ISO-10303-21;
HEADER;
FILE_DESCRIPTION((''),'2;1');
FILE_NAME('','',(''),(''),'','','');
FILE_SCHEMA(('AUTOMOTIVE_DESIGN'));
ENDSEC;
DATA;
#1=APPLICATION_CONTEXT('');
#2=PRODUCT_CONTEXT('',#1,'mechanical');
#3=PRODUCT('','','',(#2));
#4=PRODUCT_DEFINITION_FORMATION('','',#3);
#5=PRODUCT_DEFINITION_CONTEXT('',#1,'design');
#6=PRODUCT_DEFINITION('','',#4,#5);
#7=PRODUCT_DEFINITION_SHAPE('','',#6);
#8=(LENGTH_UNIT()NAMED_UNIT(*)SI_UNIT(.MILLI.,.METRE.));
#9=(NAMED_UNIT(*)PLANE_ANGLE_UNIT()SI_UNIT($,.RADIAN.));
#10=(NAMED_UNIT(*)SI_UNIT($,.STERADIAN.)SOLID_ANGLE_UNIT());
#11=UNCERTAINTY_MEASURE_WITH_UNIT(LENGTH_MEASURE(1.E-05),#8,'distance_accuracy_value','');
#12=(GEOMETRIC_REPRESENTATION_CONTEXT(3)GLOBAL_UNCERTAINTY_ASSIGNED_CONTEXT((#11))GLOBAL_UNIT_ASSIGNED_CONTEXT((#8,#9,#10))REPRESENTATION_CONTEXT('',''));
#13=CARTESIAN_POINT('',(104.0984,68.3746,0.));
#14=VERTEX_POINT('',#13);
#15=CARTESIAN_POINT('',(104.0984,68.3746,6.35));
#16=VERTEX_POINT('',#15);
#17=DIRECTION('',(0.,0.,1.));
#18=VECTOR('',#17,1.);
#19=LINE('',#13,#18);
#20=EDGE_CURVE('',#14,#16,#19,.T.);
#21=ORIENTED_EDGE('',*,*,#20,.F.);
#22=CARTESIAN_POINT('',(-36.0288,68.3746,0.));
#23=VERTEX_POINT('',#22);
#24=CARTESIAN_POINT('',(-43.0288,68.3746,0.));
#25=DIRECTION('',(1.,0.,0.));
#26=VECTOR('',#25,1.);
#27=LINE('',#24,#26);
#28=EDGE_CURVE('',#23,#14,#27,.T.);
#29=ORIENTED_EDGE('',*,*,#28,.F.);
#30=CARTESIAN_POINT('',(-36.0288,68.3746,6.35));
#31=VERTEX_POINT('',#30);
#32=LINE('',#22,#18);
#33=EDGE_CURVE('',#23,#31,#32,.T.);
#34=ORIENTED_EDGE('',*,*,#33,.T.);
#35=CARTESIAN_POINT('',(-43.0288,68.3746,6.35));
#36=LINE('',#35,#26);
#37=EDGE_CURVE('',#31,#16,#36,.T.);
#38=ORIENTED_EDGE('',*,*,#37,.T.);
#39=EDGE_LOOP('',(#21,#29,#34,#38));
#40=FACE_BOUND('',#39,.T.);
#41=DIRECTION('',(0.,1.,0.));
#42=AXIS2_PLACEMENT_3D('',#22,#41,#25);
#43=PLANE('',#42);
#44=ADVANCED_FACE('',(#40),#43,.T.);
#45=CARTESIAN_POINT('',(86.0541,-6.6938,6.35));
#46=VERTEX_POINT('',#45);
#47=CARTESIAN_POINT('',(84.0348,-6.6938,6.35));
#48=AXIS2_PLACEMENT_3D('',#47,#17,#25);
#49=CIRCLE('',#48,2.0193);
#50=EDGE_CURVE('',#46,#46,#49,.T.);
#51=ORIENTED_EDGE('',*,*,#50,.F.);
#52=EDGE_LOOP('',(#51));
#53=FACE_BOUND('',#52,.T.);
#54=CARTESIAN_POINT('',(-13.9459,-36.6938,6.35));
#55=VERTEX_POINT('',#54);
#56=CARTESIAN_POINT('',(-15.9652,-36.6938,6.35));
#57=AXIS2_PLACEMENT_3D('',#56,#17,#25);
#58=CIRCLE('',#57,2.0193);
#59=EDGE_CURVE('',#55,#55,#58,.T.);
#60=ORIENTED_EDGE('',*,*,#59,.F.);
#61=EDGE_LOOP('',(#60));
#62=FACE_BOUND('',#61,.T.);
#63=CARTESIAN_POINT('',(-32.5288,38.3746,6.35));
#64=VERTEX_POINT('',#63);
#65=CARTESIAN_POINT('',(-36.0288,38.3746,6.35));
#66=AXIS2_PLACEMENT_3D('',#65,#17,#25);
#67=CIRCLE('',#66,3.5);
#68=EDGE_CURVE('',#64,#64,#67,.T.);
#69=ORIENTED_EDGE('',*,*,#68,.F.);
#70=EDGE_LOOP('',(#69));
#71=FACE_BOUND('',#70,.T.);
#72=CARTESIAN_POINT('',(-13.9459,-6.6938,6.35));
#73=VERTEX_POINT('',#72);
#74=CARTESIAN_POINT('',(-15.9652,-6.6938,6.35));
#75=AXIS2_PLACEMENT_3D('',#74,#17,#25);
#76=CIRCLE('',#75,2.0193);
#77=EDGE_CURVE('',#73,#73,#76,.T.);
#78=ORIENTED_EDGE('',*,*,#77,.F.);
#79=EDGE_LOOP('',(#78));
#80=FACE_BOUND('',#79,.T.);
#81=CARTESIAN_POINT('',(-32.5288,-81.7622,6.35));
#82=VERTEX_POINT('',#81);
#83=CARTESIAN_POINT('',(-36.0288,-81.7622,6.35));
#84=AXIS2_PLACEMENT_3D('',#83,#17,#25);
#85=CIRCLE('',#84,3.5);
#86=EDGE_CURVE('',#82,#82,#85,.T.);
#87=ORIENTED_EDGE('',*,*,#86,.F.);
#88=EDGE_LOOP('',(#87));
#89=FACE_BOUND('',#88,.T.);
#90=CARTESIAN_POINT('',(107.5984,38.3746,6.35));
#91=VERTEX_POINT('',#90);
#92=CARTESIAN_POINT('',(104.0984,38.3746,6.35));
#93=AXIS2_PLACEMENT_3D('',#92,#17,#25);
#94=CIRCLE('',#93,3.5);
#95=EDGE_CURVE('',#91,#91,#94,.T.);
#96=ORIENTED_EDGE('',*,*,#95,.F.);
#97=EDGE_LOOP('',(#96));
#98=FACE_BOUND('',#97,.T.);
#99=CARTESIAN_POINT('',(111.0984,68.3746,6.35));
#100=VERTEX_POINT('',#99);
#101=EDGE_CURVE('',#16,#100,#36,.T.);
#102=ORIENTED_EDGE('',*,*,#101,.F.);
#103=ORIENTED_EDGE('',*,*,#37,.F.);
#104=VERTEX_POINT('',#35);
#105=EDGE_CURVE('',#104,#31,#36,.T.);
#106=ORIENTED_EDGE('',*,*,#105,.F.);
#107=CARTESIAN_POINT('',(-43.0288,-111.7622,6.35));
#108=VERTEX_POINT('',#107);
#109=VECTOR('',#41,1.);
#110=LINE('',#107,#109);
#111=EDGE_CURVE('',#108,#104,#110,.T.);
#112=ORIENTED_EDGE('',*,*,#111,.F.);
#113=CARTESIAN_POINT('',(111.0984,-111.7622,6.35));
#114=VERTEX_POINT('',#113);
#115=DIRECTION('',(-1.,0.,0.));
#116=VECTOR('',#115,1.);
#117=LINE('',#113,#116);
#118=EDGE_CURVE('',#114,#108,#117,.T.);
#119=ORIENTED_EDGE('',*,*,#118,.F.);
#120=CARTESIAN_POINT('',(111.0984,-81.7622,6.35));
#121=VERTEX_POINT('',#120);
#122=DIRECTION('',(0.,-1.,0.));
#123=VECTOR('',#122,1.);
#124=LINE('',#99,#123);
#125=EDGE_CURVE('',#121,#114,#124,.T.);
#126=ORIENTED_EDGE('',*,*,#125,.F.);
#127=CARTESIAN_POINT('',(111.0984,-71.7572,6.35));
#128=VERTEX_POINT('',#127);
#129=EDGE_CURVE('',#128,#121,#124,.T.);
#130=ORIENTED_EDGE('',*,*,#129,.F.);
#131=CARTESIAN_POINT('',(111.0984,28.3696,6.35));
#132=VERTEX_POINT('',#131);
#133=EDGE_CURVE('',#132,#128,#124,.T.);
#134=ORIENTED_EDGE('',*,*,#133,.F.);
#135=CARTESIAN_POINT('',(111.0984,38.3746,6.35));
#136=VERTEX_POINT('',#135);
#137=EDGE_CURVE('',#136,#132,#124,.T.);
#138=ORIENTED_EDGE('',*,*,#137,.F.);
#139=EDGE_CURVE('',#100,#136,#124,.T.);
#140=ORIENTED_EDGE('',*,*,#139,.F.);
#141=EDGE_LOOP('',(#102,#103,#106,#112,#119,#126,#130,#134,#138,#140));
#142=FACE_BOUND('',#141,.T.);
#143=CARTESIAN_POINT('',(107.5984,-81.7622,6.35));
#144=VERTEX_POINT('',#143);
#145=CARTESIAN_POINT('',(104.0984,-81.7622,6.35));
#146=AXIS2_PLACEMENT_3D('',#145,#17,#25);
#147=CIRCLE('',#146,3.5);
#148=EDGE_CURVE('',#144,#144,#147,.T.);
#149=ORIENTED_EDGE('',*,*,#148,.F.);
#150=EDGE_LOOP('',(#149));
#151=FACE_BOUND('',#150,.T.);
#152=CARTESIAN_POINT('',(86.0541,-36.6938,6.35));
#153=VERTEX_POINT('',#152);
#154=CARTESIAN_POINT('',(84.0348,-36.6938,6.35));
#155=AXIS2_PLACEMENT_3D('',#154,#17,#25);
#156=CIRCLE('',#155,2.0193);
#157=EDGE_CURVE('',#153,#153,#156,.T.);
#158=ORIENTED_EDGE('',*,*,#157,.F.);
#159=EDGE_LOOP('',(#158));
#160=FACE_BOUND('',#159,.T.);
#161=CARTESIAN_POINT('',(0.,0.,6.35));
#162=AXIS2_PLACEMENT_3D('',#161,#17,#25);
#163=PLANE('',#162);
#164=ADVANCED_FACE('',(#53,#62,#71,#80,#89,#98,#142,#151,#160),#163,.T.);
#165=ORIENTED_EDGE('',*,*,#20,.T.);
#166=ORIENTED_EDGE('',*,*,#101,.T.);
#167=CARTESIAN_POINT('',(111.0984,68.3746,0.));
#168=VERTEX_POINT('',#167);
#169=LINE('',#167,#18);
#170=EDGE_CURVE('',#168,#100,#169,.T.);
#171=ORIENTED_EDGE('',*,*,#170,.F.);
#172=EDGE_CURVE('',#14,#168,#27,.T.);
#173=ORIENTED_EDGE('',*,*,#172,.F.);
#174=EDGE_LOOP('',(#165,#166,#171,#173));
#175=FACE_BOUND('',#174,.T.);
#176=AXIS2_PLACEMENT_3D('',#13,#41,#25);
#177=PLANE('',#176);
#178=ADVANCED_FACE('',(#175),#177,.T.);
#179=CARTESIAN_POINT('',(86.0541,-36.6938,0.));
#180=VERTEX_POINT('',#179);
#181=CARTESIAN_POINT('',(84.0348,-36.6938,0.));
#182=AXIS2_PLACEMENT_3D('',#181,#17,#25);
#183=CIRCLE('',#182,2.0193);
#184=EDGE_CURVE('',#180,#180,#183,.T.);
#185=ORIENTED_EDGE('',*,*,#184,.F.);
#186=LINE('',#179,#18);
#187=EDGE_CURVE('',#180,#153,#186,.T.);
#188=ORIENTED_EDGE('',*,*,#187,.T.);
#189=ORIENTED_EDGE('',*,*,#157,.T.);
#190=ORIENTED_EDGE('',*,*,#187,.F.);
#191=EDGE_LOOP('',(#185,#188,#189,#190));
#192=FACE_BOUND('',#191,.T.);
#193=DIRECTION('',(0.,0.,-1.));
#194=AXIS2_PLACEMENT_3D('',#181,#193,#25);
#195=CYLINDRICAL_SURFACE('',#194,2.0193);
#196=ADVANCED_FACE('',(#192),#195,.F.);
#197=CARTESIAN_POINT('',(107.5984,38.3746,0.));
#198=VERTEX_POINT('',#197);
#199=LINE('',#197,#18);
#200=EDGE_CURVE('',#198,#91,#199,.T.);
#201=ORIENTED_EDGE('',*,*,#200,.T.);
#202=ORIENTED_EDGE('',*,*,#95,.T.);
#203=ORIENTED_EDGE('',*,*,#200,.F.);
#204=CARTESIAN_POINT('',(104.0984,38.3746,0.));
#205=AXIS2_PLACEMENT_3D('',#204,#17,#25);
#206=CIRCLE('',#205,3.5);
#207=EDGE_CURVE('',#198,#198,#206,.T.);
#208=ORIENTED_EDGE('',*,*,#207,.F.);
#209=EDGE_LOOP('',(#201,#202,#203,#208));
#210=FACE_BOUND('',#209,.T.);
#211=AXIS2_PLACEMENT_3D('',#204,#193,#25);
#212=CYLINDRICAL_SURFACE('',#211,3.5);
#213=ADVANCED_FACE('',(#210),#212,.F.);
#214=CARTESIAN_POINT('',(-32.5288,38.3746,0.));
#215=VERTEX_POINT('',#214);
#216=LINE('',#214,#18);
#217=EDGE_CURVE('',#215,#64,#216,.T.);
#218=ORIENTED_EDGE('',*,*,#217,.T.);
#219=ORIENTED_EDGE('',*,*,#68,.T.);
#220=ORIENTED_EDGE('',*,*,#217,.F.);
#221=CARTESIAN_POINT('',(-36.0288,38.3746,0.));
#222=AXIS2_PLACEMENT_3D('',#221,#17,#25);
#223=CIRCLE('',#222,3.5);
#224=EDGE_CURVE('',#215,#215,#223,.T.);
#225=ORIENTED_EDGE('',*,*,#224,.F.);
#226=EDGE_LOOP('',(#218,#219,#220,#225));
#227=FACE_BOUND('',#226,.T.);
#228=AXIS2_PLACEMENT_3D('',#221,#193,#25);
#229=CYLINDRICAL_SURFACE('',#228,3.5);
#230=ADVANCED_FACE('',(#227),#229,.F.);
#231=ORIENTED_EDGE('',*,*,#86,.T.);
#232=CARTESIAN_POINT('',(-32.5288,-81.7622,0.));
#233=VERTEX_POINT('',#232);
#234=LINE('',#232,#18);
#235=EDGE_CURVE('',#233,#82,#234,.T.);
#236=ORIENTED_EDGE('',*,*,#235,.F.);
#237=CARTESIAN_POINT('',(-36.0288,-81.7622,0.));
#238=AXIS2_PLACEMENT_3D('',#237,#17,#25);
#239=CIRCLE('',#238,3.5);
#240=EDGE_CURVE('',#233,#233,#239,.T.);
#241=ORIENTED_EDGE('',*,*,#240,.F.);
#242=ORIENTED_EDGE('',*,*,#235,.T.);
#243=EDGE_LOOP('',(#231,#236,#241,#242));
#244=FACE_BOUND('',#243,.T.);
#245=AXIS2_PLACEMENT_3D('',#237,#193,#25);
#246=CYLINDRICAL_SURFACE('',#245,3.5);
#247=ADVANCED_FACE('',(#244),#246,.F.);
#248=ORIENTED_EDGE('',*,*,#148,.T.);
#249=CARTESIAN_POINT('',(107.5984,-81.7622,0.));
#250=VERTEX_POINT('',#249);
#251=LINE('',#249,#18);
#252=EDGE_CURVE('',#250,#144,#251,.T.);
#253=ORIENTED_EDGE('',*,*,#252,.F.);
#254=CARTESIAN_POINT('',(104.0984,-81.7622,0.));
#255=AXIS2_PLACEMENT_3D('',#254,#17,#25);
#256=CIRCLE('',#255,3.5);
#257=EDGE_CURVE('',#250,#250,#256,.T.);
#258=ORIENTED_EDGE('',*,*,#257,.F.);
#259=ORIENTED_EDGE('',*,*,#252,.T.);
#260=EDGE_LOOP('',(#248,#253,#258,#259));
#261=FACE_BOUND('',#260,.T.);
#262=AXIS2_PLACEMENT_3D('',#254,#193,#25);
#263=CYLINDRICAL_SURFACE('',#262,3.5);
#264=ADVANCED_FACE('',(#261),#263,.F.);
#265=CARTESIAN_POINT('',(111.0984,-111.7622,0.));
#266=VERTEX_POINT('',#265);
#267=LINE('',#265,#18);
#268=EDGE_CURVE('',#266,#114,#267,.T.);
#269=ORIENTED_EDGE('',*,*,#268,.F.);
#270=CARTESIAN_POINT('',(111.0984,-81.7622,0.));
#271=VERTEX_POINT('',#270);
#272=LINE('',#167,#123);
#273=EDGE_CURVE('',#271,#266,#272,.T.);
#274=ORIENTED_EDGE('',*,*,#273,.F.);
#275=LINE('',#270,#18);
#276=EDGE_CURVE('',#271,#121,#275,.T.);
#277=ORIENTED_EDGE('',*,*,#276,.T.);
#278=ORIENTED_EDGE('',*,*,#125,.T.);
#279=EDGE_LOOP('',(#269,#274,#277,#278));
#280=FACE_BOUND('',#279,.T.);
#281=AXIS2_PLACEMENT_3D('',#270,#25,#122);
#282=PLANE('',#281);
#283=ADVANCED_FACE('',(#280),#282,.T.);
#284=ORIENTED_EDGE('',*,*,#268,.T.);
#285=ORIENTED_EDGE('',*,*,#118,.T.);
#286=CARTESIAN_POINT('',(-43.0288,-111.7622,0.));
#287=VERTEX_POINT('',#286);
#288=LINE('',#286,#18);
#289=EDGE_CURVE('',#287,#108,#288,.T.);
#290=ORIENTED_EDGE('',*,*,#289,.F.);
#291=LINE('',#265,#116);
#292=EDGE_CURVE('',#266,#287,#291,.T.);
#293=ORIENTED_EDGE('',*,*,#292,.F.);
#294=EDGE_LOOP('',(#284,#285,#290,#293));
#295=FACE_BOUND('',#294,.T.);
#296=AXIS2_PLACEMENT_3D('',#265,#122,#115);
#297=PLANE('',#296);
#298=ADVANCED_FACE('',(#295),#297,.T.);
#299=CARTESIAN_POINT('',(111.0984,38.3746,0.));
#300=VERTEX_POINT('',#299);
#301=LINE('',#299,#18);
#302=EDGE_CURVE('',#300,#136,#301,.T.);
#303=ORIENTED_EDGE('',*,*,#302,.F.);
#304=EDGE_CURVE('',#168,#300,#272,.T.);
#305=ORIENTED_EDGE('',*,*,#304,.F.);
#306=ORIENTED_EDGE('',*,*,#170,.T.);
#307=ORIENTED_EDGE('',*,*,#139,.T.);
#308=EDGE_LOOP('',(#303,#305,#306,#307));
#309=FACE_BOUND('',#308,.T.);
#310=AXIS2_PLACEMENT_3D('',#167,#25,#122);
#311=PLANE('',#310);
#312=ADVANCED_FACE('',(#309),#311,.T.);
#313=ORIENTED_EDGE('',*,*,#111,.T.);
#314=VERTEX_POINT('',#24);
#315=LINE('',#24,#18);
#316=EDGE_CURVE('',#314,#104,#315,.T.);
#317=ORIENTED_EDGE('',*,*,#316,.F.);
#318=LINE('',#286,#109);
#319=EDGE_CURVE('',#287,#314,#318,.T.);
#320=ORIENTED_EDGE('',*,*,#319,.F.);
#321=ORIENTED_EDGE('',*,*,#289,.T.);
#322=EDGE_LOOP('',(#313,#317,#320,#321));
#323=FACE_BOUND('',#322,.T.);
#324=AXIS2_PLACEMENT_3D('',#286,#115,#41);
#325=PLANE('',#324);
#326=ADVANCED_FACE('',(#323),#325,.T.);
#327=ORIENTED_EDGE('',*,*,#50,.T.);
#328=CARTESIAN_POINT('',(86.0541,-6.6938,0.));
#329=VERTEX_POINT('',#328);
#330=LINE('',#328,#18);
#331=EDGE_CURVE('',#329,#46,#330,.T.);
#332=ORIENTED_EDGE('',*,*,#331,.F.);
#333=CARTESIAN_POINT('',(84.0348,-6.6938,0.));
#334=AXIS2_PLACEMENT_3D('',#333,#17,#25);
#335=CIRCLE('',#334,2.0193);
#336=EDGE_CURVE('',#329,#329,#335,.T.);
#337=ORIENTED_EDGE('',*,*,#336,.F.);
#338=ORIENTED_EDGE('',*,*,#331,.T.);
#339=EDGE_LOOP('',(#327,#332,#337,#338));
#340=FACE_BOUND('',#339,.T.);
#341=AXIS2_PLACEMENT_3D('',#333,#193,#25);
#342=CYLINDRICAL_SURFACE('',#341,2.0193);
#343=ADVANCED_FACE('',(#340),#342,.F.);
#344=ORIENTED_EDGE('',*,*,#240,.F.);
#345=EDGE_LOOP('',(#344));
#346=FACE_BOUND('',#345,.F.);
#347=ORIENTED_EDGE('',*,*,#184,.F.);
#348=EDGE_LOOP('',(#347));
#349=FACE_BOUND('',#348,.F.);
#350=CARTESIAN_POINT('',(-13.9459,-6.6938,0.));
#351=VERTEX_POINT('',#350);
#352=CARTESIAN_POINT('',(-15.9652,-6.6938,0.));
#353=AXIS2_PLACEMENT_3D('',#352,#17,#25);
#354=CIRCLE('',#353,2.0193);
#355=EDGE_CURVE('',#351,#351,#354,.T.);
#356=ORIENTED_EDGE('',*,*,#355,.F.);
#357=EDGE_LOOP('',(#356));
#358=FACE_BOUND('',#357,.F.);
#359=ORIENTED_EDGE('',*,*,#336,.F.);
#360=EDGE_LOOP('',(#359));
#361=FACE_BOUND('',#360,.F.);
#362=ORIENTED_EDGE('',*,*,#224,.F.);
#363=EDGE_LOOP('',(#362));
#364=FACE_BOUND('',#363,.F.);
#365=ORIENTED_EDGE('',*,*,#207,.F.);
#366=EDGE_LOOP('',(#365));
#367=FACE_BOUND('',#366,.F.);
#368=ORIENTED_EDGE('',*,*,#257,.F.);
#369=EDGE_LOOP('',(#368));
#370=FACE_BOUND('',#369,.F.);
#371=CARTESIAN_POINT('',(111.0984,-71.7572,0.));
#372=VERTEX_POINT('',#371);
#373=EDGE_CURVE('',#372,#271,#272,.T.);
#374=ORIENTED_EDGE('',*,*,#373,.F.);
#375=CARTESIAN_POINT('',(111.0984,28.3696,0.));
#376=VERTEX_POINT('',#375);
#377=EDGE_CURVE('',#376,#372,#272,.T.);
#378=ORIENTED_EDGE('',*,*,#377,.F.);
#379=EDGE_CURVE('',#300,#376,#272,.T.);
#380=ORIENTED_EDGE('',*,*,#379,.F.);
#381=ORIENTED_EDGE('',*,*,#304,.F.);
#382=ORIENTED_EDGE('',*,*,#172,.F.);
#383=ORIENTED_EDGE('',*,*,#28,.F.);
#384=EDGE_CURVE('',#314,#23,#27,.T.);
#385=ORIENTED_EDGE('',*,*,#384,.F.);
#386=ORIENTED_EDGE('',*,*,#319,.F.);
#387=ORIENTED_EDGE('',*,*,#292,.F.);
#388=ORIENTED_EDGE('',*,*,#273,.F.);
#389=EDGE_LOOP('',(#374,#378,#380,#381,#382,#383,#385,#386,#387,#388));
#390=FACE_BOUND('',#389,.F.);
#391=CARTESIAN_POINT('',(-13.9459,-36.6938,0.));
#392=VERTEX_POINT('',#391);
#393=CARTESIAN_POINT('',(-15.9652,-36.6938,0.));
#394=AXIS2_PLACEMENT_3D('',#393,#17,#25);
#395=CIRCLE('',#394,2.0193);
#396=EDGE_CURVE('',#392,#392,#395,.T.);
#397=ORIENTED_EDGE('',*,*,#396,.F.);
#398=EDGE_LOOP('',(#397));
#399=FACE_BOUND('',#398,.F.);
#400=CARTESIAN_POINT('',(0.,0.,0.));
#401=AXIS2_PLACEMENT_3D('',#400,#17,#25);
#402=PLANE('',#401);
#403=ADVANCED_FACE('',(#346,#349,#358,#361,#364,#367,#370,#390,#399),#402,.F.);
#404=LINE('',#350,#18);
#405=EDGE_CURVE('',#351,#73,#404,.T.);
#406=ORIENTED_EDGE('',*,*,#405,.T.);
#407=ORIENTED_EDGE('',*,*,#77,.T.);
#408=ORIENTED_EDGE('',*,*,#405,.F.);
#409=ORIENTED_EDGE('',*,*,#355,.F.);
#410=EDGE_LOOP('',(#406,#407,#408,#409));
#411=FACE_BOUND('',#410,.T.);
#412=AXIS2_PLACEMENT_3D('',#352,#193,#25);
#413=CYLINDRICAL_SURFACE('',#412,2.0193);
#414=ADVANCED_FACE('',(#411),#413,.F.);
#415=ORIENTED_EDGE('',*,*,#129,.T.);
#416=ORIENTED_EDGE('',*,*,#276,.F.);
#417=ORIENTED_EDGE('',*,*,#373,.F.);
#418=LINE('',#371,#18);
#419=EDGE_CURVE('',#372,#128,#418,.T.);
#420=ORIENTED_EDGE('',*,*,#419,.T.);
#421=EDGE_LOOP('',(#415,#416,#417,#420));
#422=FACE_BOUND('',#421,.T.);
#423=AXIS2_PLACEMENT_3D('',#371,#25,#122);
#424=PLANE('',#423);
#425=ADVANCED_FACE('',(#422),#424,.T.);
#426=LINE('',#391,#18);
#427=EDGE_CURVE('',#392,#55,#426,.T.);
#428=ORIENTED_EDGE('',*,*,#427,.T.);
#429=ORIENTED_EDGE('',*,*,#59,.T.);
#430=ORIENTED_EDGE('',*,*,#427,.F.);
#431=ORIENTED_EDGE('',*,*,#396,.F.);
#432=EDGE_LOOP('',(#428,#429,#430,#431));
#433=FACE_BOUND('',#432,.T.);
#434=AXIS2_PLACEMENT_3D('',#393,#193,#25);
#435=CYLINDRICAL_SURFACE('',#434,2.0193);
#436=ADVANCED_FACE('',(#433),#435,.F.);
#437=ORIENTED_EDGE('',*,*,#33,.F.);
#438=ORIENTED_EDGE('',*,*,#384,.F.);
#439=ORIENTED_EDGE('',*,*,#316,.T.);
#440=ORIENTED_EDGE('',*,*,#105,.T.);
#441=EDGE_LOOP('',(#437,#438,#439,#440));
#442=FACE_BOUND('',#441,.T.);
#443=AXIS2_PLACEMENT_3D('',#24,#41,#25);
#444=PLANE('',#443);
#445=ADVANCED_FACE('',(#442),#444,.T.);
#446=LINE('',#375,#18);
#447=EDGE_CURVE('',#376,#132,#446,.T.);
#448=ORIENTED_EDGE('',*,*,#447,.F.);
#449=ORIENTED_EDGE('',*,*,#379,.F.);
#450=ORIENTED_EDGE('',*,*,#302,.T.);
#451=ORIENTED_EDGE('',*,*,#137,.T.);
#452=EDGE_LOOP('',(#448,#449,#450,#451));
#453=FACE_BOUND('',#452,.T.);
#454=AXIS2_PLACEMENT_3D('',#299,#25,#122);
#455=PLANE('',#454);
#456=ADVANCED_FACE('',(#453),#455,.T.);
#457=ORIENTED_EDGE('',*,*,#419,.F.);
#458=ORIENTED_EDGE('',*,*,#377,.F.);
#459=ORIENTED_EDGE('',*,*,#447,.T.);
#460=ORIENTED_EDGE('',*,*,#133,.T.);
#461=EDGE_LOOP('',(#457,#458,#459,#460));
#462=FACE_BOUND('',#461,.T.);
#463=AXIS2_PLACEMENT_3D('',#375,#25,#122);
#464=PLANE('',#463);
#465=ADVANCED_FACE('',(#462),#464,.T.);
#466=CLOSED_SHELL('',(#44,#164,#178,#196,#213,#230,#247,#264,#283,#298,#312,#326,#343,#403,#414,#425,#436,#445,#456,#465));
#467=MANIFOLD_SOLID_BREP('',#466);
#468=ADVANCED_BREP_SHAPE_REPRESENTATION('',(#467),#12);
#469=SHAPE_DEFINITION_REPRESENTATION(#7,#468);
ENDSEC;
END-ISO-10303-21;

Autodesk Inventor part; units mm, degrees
ref_plane "YZ Plane" through (0, 0, 0) normal (1, 0, 0) x (0, 1, 0)
ref_plane "XZ Plane" through (0, 0, 0) normal (0, 1, 0) x (-1, 0, 0)
ref_plane "XY Plane" through (0, 0, 0) normal (0, 0, 1) x (1, 0, 0)
sketch "Sketch1" plane through (0, 0, 0) normal (0, 0, 1) x (1, 0, 0)
  line L0 (-43.0288, 68.3746) -> (111.0984, 68.3746)
  line L1 (111.0984, 68.3746) -> (111.0984, -111.7622)
  line L2 (111.0984, -111.7622) -> (-43.0288, -111.7622)
  line L3 (-43.0288, -111.7622) -> (-43.0288, 68.3746)
  line L4 (111.0984, 68.3746) -> (111.0984, 28.3696)
  line L5 (-43.0288, 68.3746) -> (-36.0288, 68.3746)
  line L6 (111.0984, 68.3746) -> (104.0984, 68.3746)
  line L7 (111.0984, -111.7622) -> (111.0984, -71.7572)
  line L8 (111.0984, 68.3746) -> (111.0984, 38.3746)
  line L9 (111.0984, -111.7622) -> (111.0984, -81.7622)
  circle A0 centre (104.0984, 38.3746) radius 3.5
  circle A1 centre (104.0984, -81.7622) radius 3.5
  circle A2 centre (-36.0288, 38.3746) radius 3.5
  circle A3 centre (-36.0288, -81.7622) radius 3.5
  circle A4 centre (-15.9652, -6.6938) radius 2.0193
  circle A5 centre (-15.9652, -36.6938) radius 2.0193
  circle A6 centre (84.0348, -36.6938) radius 2.0193
  circle A7 centre (84.0348, -6.6938) radius 2.0193
  point P0 (0, 0)
  dimension "d0" = 154.1272
  dimension "d1" = 180.1368
  dimension "d3" = 7
  dimension "d4" = 7
  dimension "d30" = 30
  dimension "d31" = 30
  dimension "d32" = 7
  dimension "d33" = 7
  dimension "d38" = 4.0386
  dimension "d39" = 4.0386
  dimension "d40" = 4.0386
  dimension "d41" = 4.0386
extrude "Extrusion1" add sketch "Sketch1" along normal blind 6.35
properties part number "xy axis mount"
